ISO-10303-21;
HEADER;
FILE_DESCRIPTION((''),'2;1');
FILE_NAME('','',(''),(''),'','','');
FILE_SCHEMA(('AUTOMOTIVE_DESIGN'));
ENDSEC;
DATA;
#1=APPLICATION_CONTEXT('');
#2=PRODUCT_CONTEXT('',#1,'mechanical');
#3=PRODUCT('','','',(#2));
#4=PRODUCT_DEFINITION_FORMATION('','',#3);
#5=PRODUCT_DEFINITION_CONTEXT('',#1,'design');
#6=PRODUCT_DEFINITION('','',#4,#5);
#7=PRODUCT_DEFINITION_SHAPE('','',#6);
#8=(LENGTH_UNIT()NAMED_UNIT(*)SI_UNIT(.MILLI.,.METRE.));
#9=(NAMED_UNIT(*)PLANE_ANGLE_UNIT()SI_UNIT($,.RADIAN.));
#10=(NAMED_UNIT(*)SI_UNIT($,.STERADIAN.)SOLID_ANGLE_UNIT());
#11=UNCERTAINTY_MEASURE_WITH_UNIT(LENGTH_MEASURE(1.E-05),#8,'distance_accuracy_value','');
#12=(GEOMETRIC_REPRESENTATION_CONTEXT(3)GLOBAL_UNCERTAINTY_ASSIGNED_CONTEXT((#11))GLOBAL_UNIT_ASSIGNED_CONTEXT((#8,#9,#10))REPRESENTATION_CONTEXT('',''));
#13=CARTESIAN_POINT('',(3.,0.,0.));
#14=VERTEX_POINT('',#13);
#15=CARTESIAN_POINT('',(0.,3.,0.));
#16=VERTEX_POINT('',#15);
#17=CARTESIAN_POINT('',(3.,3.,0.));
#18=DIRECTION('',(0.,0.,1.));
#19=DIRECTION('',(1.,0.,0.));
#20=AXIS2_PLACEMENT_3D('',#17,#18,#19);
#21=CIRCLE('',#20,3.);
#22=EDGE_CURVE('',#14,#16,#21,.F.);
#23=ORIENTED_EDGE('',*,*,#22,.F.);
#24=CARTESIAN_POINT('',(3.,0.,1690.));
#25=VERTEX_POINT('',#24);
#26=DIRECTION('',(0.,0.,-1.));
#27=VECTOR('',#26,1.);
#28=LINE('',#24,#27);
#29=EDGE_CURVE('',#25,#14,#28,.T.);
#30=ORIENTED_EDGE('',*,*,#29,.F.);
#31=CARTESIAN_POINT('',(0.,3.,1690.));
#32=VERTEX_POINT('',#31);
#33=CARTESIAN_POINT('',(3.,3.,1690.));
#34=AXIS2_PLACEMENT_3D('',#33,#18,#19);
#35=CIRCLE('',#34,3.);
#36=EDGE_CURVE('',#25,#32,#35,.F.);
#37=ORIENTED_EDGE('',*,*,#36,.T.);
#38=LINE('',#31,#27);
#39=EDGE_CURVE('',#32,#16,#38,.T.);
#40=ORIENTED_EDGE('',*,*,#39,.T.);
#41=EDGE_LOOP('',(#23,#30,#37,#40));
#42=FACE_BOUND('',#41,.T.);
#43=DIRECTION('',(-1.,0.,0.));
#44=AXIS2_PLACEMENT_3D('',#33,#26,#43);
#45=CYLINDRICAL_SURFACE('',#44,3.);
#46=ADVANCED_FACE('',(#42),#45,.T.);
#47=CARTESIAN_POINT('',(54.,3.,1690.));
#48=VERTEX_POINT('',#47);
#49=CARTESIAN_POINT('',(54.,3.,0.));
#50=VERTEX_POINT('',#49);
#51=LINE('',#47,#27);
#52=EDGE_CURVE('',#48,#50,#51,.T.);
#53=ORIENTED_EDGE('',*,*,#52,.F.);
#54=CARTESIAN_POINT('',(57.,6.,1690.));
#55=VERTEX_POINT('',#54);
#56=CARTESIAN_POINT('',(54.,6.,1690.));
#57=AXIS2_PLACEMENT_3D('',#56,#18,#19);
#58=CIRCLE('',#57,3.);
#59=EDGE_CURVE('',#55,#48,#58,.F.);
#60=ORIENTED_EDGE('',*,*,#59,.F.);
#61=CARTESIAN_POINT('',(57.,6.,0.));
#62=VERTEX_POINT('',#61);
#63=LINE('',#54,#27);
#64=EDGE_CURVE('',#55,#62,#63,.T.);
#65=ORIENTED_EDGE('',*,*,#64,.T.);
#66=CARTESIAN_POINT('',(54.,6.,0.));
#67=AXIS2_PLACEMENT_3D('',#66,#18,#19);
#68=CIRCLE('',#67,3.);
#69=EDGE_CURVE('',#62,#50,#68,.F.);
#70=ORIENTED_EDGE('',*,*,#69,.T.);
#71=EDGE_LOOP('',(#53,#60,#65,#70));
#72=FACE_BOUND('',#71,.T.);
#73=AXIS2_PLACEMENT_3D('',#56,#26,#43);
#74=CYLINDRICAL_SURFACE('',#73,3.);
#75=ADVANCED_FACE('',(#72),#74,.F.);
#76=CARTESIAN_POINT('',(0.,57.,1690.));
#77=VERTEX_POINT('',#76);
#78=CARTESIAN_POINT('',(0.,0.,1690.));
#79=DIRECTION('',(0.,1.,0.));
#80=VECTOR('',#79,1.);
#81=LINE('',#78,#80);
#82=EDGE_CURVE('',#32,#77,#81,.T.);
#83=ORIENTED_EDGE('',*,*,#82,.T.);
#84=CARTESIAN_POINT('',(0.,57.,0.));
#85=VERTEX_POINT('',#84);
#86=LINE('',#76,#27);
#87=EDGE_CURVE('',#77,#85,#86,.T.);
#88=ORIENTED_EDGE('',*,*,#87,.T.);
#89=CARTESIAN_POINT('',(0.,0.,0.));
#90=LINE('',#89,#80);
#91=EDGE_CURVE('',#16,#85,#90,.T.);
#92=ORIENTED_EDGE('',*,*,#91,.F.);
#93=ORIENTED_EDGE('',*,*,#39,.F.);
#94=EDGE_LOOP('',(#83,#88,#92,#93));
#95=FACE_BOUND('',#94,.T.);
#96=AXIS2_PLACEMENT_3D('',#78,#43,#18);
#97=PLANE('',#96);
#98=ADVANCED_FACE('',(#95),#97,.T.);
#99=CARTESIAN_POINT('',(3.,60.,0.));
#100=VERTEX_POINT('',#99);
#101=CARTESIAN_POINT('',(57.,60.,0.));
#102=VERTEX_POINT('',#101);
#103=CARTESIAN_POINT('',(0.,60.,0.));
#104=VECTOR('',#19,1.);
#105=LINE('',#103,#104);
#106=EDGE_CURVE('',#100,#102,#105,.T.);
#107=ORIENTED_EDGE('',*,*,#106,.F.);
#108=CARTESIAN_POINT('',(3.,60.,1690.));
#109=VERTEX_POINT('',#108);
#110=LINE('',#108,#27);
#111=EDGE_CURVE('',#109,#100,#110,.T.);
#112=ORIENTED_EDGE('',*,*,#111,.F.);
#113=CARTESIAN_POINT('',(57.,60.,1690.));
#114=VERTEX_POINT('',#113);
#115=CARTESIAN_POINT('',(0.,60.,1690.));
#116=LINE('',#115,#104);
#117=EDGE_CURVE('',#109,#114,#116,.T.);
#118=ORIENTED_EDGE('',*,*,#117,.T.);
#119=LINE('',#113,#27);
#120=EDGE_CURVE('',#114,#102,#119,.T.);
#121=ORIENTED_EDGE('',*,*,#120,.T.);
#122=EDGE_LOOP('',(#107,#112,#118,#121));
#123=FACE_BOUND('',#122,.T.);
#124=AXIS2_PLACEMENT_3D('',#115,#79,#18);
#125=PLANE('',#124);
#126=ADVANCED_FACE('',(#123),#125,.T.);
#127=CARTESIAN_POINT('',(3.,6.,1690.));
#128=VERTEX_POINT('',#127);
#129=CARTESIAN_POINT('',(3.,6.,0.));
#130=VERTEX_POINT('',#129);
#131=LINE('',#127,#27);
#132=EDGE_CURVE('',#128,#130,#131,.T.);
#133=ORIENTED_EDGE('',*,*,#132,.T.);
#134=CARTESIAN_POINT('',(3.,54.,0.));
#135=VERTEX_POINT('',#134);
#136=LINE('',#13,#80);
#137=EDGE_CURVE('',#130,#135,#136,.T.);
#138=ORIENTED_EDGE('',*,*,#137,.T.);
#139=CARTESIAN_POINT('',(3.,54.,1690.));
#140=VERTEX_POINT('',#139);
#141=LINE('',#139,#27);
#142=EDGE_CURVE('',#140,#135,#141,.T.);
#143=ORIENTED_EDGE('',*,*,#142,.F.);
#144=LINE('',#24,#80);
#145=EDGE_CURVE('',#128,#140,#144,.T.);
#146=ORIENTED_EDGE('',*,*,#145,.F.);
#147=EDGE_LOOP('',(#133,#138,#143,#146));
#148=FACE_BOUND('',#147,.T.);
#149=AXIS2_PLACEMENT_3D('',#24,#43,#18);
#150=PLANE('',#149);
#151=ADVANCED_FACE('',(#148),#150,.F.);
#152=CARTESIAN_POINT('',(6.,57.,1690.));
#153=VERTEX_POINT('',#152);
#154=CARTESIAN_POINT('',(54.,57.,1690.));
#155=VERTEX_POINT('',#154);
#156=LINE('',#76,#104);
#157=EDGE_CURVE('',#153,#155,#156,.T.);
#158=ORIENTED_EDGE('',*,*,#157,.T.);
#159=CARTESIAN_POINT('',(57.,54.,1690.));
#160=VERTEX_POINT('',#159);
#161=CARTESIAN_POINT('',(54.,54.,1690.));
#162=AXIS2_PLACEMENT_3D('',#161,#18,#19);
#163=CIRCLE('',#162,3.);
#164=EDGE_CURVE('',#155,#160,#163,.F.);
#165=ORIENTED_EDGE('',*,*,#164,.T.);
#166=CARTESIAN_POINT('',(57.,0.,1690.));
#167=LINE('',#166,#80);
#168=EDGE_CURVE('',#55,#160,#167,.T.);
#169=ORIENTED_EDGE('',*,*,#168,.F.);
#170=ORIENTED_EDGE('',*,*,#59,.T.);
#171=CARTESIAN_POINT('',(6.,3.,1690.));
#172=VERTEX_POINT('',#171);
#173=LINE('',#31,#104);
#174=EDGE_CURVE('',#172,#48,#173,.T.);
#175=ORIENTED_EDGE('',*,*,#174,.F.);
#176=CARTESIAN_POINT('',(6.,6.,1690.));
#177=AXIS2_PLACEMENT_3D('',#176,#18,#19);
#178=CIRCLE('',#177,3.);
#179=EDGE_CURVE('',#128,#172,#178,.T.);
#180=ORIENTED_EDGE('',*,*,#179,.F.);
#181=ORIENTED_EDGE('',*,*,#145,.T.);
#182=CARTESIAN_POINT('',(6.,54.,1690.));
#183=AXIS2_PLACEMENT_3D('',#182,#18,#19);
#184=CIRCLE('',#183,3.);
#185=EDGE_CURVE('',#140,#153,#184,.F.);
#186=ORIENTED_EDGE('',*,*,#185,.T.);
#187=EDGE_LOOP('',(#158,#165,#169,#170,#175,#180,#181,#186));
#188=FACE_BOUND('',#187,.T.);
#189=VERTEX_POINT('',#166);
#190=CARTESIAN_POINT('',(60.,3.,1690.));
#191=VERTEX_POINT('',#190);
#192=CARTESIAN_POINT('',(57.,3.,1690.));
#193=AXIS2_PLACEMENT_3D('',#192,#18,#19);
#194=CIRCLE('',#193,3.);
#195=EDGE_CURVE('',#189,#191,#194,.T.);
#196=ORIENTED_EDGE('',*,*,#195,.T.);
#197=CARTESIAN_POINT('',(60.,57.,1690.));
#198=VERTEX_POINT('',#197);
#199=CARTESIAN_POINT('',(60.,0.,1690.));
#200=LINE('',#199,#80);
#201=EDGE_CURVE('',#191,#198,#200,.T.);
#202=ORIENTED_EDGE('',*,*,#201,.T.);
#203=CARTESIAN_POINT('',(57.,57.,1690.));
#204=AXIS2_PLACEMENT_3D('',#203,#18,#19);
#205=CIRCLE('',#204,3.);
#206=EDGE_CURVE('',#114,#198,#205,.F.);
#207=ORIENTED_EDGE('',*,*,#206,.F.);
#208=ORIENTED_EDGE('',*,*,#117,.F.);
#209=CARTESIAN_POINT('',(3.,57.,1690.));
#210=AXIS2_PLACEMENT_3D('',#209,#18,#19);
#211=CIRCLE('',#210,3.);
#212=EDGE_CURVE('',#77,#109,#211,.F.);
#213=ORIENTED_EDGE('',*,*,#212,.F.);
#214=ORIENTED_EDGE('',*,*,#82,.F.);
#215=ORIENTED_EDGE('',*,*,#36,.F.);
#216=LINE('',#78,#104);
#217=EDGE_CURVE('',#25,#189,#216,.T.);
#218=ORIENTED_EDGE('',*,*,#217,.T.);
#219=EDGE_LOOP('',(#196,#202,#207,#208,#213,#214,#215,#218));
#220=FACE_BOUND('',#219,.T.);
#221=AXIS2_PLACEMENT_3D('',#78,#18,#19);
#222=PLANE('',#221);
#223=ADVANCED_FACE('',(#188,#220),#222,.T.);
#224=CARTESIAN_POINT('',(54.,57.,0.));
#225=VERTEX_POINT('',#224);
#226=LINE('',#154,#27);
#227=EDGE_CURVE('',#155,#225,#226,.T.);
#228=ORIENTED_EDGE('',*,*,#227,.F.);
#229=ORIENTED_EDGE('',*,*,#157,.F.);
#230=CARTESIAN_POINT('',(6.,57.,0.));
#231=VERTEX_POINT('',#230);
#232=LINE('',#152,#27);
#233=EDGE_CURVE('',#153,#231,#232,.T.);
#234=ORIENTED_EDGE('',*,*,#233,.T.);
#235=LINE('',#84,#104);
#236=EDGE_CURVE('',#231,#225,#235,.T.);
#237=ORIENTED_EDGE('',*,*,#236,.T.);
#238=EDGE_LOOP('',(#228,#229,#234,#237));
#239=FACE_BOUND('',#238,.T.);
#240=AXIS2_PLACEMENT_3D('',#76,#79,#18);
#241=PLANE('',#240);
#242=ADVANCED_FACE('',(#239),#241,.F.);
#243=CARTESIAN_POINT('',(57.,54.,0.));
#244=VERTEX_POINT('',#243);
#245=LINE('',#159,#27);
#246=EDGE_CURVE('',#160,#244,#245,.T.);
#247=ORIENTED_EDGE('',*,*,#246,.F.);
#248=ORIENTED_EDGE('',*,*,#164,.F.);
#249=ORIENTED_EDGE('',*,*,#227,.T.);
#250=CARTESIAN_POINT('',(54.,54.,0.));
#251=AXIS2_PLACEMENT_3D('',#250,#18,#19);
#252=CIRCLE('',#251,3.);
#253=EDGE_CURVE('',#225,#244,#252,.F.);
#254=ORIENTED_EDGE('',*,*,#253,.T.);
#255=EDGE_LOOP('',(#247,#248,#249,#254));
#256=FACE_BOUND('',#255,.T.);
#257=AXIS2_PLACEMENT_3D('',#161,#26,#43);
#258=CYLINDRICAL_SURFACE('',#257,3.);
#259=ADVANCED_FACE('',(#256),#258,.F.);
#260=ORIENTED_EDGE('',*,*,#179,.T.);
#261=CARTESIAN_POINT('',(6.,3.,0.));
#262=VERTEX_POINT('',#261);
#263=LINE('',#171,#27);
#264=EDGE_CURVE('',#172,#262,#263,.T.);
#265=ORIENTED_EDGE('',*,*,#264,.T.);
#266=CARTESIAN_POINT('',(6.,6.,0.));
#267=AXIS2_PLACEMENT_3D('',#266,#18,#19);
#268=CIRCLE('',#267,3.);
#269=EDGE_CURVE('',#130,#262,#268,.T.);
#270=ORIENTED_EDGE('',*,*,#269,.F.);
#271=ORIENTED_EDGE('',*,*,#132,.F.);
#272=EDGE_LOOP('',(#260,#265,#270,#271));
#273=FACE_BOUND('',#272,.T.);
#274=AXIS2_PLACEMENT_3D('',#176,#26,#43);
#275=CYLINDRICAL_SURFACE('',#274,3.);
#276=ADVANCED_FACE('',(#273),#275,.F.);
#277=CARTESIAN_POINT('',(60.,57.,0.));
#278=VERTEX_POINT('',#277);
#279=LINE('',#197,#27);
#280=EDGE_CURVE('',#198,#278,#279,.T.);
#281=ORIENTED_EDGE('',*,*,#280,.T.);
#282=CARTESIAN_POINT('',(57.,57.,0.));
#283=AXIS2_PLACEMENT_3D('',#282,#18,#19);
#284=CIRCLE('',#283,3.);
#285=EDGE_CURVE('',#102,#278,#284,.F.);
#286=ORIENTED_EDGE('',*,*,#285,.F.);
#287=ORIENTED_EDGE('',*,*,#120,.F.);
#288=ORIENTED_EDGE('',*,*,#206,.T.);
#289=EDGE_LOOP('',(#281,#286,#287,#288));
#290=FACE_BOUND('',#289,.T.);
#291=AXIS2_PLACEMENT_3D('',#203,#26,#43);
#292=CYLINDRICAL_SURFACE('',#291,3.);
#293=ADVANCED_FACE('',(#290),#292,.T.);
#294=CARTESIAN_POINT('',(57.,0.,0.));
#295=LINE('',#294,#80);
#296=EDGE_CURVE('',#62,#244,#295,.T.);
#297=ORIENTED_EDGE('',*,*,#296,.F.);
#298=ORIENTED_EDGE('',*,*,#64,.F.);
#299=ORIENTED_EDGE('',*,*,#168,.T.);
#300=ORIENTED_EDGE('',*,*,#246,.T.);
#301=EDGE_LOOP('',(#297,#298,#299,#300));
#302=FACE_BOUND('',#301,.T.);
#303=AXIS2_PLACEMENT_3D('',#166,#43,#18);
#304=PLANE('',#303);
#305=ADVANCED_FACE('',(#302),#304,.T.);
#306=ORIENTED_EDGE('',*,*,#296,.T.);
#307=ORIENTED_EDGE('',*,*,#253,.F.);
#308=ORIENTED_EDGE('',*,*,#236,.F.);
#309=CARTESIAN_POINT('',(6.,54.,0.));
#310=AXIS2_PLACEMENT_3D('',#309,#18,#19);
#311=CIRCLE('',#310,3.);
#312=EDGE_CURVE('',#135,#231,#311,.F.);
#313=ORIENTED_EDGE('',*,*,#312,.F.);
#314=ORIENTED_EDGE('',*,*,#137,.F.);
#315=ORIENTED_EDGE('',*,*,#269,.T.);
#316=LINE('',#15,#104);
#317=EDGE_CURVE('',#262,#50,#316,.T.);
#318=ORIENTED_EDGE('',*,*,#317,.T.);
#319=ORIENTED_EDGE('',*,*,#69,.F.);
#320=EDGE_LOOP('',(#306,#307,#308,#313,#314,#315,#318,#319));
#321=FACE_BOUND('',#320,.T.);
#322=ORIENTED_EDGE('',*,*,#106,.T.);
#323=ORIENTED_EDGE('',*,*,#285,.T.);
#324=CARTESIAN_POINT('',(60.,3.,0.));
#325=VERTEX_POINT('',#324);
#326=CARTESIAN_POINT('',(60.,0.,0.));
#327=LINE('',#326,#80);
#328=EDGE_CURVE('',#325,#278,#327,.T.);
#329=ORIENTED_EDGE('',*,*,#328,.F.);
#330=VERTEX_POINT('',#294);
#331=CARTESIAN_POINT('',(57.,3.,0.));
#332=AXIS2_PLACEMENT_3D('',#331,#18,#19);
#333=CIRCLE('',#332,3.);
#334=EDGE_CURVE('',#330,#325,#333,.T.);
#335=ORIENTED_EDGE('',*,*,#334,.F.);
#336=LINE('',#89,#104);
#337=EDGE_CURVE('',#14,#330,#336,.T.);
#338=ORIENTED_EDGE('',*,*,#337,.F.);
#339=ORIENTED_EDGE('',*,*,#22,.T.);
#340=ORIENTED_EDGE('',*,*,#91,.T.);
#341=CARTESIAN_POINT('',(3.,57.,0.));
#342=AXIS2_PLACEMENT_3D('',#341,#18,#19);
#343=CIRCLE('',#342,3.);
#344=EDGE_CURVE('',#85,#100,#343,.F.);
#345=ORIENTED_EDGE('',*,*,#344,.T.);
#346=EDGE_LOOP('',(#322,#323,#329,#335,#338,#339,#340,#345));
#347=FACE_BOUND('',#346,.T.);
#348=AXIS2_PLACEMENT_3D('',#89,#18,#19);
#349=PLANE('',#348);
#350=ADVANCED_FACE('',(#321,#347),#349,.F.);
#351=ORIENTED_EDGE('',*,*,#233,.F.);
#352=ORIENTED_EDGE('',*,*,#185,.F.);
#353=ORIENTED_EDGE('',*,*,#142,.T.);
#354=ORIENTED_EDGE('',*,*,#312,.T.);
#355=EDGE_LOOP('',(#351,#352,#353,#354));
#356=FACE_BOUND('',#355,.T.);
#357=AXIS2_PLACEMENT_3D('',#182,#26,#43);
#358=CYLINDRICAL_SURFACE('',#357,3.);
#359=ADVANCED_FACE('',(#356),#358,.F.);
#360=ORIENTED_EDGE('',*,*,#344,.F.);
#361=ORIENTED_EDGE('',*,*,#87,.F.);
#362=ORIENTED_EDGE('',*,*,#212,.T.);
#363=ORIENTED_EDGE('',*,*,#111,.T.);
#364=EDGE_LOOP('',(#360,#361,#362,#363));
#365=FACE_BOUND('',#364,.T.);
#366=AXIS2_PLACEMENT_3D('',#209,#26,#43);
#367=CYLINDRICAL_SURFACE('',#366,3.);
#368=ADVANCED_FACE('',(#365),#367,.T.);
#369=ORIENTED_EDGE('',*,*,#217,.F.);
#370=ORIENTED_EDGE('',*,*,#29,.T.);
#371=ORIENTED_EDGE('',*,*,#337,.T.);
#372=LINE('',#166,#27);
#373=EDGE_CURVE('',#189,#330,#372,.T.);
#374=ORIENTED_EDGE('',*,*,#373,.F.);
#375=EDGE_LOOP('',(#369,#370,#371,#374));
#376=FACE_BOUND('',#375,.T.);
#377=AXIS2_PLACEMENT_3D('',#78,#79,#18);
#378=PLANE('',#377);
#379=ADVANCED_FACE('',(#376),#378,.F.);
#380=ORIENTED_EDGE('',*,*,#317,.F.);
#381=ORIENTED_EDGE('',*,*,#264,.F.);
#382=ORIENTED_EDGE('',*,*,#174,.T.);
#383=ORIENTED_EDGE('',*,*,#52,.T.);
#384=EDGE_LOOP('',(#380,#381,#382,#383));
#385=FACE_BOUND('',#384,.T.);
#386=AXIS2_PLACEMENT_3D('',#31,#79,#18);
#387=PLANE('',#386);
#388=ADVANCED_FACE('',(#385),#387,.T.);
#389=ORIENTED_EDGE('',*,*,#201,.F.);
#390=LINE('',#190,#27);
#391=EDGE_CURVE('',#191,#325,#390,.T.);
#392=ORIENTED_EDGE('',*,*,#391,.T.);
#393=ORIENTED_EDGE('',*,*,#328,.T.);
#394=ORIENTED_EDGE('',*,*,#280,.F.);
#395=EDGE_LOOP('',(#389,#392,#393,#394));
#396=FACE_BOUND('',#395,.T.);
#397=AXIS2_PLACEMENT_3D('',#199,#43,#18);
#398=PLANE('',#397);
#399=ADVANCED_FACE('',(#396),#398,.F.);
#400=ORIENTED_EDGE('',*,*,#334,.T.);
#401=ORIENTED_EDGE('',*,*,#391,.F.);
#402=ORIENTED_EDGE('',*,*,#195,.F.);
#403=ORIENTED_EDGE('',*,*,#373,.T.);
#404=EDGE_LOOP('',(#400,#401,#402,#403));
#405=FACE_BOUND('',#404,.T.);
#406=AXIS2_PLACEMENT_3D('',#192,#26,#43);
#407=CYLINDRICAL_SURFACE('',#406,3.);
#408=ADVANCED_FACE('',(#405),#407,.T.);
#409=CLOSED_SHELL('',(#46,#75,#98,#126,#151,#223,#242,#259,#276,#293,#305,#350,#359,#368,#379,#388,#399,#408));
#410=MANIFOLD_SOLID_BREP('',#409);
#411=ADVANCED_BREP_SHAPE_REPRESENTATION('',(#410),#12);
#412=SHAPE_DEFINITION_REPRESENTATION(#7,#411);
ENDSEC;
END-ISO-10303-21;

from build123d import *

# Parameters (mm, degrees)
DODANIE_WYCI_GNI_CIE1_DEPTH = 1690


with BuildPart() as part:
    # Szkic1 → Dodanie-wyciągnięcie1 (new body)
    with BuildSketch(Plane.XY):
        with BuildLine():
            ThreePointArc((0, 57), (0.878679656, 59.121320344), (3, 60))
            Line((3, 60), (57, 60))
            ThreePointArc((57, 60), (59.121320344, 59.121320344), (60, 57))
            Line((60, 57), (60, 3))
            ThreePointArc((60, 3), (59.121320344, 0.878679656), (57, 0))
            Line((57, 0), (3, 0))
            ThreePointArc((3, 0), (0.878679656, 0.878679656), (0, 3))
            Line((0, 3), (0, 57))
        make_face()
        with BuildLine():
            Line((3, 6), (3, 54))
            ThreePointArc((3, 54), (3.878679656, 56.121320344), (6, 57))
            Line((6, 57), (54, 57))
            ThreePointArc((54, 57), (56.121320344, 56.121320344), (57, 54))
            Line((57, 54), (57, 6))
            ThreePointArc((57, 6), (56.121320344, 3.878679656), (54, 3))
            Line((54, 3), (6, 3))
            ThreePointArc((6, 3), (3.878679656, 3.878679656), (3, 6))
        make_face(mode=Mode.SUBTRACT)
    extrude(amount=DODANIE_WYCI_GNI_CIE1_DEPTH)


solid = part.part
